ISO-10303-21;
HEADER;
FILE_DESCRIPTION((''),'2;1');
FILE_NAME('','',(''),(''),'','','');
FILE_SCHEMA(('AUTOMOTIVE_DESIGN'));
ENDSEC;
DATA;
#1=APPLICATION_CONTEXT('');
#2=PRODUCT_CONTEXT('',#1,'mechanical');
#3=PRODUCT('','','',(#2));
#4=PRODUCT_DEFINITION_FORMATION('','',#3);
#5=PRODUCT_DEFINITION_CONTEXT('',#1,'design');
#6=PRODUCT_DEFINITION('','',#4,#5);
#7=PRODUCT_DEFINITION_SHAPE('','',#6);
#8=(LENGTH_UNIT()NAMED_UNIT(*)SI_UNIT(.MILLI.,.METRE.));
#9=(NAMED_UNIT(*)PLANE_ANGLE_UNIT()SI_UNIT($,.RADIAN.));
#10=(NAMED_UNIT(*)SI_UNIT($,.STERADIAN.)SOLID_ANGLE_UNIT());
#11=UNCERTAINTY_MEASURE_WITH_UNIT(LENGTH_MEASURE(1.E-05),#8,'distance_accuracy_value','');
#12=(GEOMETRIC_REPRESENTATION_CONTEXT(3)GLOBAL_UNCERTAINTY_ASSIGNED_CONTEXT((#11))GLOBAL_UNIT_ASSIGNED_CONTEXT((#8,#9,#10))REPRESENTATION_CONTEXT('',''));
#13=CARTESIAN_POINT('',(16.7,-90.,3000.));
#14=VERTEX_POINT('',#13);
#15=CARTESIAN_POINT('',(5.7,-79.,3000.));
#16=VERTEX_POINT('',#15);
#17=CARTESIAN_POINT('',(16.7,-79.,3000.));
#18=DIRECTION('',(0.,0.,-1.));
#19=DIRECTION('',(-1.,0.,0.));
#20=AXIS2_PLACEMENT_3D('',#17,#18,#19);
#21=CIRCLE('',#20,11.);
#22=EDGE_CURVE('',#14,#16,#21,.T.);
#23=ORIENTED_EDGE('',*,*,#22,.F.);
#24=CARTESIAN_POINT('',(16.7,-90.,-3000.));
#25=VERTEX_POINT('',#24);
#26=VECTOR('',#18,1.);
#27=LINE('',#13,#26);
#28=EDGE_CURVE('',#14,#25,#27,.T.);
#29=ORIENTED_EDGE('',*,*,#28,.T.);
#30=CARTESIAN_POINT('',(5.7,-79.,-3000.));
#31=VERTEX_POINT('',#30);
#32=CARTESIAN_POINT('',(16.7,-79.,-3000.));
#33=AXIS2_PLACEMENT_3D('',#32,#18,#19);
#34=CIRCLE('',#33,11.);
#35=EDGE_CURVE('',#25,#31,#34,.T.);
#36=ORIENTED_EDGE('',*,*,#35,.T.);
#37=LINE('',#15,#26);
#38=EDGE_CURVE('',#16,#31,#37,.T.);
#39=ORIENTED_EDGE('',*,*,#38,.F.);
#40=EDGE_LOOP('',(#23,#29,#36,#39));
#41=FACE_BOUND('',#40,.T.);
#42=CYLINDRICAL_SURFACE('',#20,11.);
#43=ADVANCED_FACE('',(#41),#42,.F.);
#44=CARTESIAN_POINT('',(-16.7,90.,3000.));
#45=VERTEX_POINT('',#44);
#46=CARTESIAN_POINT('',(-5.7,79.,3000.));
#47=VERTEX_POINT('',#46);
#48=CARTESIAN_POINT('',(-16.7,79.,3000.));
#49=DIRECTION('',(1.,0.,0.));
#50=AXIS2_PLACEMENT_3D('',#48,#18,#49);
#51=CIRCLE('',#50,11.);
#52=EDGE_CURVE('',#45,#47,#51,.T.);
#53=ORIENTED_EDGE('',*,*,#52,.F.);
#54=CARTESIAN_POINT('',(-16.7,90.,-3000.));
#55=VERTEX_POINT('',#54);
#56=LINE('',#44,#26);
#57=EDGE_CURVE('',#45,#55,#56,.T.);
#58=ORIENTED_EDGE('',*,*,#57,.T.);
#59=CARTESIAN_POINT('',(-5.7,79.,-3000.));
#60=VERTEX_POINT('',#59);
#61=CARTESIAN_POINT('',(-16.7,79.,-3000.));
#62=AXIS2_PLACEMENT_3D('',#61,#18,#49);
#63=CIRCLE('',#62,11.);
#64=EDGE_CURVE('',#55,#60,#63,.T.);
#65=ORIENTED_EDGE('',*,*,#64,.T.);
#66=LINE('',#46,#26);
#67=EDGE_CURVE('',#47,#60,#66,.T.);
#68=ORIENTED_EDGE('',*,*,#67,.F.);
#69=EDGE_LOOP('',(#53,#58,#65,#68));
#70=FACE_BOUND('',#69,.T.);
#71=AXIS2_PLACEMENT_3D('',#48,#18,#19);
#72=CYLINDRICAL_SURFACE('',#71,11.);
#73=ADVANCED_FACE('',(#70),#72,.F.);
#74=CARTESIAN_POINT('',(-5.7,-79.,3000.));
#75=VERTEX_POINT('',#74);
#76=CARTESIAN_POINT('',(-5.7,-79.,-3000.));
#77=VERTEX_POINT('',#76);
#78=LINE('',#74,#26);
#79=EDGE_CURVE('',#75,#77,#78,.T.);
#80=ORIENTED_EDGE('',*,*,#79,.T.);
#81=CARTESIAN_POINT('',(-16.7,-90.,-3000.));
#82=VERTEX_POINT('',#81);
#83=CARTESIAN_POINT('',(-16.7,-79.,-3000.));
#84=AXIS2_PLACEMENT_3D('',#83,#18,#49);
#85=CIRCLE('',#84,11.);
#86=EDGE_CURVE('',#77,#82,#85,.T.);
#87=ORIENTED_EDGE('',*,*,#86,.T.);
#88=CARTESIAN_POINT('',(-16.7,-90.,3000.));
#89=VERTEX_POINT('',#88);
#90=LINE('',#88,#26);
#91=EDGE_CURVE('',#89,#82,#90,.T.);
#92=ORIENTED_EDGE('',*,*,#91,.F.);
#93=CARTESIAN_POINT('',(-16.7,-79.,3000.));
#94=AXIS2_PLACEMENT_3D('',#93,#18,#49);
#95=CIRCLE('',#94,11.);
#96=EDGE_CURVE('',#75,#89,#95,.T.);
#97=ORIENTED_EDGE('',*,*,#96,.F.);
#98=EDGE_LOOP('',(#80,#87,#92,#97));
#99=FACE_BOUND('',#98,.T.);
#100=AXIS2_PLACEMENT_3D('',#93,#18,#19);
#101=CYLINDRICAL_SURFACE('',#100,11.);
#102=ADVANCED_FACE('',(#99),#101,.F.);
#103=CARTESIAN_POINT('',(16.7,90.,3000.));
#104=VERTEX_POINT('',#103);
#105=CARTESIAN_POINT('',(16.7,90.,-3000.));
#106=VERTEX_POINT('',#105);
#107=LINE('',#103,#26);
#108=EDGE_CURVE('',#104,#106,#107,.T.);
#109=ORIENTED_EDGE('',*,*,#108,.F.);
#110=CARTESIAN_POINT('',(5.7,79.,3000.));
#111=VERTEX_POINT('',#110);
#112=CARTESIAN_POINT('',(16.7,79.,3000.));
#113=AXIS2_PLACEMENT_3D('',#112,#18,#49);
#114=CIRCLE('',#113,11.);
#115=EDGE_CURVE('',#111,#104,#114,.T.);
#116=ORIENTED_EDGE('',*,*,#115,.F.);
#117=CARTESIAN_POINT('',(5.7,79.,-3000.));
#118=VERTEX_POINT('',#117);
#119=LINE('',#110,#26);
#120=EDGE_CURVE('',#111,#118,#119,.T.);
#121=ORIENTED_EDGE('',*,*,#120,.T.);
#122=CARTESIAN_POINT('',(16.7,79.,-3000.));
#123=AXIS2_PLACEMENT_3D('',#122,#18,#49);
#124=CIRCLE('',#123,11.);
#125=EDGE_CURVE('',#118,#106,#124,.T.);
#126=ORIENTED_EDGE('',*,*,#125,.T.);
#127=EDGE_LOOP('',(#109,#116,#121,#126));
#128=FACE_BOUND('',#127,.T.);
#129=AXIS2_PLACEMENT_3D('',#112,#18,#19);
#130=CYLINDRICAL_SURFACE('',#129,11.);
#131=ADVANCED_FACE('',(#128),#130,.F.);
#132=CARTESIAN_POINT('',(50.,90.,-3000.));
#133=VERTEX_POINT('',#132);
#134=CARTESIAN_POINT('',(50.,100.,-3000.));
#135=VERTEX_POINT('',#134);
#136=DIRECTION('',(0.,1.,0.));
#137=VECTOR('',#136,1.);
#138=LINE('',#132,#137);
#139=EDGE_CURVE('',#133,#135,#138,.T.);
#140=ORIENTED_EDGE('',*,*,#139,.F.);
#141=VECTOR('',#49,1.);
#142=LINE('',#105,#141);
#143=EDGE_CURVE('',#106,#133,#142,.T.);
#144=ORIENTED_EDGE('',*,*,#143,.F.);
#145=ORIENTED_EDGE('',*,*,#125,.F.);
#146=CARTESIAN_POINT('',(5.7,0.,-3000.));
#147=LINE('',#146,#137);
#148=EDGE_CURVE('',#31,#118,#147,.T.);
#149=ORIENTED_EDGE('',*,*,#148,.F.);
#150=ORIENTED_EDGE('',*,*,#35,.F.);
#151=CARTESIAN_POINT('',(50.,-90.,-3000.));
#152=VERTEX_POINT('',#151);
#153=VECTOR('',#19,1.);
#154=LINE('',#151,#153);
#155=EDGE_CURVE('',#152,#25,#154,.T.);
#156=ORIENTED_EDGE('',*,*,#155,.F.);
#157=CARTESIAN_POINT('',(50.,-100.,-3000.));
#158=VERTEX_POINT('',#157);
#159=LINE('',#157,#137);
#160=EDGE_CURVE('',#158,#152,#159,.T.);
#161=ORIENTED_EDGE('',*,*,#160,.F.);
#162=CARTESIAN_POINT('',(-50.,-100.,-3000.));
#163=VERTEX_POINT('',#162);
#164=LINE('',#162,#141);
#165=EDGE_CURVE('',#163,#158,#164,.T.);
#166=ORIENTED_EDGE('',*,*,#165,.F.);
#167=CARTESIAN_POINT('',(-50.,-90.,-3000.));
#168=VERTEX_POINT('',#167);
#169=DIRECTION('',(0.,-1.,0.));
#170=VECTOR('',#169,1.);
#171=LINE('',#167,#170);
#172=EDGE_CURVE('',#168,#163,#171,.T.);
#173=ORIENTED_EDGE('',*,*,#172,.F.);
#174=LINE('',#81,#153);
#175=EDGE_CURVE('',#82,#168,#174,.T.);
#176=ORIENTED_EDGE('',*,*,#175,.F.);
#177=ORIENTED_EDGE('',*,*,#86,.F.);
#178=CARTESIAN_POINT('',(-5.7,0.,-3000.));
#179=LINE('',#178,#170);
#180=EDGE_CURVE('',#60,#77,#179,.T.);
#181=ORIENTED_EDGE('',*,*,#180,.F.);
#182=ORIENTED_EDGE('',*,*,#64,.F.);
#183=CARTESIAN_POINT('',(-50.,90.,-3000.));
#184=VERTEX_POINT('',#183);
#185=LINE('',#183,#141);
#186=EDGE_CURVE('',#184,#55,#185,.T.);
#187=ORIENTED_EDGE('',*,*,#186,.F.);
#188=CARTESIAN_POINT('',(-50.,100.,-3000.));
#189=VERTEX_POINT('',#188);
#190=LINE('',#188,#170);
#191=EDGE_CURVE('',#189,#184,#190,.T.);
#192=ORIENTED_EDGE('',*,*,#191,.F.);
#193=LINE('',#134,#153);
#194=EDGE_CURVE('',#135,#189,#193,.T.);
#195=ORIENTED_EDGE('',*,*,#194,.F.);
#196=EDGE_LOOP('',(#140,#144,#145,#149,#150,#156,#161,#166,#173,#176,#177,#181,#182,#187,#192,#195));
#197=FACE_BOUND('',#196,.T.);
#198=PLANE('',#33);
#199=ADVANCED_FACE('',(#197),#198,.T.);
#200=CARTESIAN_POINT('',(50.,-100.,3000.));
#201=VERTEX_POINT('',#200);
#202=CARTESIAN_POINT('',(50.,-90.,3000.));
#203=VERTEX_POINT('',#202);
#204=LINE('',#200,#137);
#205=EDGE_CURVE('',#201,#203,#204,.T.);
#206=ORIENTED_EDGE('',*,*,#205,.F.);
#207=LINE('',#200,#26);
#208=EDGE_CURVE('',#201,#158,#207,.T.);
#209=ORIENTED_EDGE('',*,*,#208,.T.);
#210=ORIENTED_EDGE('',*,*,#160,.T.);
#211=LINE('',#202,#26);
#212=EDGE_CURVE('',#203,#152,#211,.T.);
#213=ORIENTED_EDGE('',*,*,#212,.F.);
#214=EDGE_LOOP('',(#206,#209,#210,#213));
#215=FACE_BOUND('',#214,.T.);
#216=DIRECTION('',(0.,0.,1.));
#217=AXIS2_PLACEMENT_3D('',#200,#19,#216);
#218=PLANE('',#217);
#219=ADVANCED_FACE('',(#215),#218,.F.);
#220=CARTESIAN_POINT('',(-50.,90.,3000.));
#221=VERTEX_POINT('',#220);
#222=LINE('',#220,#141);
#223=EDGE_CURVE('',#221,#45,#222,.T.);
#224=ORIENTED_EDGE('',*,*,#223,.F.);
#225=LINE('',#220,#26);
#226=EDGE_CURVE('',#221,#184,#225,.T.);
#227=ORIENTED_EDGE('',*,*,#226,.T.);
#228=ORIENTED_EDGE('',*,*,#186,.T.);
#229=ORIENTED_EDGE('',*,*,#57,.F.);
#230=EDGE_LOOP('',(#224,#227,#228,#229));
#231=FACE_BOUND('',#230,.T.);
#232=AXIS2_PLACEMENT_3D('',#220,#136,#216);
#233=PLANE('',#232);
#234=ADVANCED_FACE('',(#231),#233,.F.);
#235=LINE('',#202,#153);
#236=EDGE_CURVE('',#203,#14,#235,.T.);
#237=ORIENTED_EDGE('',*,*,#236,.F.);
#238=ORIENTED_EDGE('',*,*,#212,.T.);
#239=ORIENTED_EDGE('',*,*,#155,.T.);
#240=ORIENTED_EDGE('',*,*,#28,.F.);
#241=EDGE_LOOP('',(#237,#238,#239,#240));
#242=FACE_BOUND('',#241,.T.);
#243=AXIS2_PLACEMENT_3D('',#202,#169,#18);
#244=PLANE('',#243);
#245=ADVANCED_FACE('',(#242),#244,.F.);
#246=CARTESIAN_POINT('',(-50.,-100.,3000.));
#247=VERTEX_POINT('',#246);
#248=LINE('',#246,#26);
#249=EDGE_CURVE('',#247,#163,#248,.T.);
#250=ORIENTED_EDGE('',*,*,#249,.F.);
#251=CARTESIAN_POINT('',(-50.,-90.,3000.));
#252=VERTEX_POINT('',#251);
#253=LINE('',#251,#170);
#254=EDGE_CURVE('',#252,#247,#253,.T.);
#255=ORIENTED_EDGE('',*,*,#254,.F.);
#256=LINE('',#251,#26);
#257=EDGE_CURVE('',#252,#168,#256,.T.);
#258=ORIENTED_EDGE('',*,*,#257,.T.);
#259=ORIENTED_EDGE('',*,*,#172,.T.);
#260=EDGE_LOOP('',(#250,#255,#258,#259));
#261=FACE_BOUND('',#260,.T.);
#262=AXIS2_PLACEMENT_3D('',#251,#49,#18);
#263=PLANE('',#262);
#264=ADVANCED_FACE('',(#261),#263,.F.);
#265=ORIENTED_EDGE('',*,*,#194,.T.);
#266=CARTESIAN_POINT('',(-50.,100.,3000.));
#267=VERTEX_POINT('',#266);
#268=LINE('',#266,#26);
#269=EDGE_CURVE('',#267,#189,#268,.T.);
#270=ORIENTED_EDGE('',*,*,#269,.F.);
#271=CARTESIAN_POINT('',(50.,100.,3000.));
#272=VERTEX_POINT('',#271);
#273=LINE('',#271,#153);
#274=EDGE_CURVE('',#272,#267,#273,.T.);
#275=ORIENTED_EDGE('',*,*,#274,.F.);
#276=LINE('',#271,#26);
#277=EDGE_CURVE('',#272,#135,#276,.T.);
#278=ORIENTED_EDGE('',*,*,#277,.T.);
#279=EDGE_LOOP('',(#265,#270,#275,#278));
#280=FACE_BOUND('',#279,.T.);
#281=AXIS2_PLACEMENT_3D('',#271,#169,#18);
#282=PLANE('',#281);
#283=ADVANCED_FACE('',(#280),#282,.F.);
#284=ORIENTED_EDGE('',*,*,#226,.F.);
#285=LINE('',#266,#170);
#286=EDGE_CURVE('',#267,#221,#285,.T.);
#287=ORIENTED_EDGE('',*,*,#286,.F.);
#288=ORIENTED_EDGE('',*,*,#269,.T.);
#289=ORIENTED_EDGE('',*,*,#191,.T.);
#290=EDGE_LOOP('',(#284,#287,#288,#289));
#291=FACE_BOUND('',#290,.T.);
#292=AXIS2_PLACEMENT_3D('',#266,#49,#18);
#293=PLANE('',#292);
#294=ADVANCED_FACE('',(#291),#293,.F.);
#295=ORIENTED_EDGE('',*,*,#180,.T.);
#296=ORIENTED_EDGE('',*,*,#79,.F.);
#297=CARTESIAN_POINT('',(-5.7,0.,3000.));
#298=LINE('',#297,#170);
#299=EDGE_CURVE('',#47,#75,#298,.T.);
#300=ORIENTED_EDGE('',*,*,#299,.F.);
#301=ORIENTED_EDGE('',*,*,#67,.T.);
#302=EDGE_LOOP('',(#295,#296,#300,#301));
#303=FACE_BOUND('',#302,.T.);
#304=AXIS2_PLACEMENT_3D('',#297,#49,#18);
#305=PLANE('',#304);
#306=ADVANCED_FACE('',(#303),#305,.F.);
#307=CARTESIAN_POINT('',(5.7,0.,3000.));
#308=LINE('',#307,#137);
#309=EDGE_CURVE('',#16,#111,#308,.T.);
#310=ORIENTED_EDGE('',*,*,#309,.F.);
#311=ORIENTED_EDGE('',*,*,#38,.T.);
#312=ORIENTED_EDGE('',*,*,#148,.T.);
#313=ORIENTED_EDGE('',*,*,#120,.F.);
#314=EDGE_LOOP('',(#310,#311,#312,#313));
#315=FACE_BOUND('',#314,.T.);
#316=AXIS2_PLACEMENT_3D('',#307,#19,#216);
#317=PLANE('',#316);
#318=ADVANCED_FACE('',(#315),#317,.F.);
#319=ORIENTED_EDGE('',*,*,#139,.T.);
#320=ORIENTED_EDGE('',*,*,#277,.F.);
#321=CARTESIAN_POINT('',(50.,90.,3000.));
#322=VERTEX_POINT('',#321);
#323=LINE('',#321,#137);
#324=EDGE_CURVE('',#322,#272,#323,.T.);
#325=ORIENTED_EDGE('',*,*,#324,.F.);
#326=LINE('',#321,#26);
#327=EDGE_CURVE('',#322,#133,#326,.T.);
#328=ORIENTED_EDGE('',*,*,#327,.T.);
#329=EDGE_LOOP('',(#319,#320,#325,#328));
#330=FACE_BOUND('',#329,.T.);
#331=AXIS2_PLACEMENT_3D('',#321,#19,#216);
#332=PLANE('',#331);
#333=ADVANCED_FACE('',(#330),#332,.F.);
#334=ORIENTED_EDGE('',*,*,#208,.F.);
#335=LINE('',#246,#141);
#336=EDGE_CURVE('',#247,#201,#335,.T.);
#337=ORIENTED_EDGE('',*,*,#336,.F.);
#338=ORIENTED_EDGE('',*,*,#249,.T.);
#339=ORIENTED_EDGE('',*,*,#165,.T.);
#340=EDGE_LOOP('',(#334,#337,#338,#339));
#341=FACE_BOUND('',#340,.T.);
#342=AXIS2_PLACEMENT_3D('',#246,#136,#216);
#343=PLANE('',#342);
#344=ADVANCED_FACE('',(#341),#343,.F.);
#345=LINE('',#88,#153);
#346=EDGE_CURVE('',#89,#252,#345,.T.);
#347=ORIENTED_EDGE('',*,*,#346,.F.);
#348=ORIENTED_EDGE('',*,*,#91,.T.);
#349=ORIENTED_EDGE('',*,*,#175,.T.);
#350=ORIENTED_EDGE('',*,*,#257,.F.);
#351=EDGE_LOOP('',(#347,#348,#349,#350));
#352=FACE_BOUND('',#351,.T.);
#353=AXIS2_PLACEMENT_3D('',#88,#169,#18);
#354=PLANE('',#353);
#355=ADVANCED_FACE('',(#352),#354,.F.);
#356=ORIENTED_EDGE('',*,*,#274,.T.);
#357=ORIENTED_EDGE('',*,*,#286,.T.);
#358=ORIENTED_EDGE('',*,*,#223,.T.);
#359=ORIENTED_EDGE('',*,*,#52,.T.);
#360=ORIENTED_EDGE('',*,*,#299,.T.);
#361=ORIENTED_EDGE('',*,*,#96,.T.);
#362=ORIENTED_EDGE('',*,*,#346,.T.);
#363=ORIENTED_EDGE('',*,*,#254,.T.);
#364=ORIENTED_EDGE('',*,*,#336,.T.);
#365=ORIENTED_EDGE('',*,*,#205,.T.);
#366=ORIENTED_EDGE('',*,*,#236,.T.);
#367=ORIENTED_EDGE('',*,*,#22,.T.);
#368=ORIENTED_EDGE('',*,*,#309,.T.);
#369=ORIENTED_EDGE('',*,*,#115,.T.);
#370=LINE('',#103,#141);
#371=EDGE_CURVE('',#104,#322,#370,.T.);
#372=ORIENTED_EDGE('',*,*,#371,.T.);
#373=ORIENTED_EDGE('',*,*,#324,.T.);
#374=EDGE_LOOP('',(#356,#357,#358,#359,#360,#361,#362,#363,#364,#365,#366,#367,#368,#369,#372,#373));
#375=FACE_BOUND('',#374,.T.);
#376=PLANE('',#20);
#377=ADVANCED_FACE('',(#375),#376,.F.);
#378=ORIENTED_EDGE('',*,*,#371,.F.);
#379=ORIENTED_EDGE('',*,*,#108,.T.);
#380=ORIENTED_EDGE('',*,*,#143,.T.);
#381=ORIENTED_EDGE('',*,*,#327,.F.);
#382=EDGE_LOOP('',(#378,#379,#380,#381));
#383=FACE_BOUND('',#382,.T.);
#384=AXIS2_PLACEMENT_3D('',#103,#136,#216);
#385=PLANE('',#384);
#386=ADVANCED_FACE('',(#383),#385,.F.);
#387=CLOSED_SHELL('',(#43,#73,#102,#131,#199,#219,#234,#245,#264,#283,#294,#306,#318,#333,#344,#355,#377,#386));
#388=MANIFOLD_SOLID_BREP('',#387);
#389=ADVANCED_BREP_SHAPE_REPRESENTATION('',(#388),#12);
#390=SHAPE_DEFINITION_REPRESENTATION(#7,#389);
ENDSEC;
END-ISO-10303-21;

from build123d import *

# Parameters (mm, degrees)
BOSS_EXTRUDE1_DEPTH = 3000


with BuildPart() as part:
    # Sketch1 → Boss-Extrude1 (new, symmetric)
    with BuildSketch(Plane.XY):
        with BuildLine():
            Line((5.7, 0), (5.7, 79))
            ThreePointArc((5.7, 79), (8.921825407, 86.778174593), (16.7, 90))
            Line((16.7, 90), (50, 90))
            Line((50, 90), (50, 100))
            Line((50, 100), (-50, 100))
            Line((-50, 100), (-50, 90))
            Line((-50, 90), (-16.7, 90))
            ThreePointArc((-16.7, 90), (-8.921825407, 86.778174593), (-5.7, 79))
            Line((-5.7, 79), (-5.7, 0))
            Line((-5.7, 0), (-5.7, -79))
            ThreePointArc((-5.7, -79), (-8.921825407, -86.778174593), (-16.7, -90))
            Line((-16.7, -90), (-50, -90))
            Line((-50, -90), (-50, -100))
            Line((-50, -100), (50, -100))
            Line((50, -100), (50, -90))
            Line((50, -90), (16.7, -90))
            ThreePointArc((16.7, -90), (8.921825407, -86.778174593), (5.7, -79))
            Line((5.7, -79), (5.7, 0))
        make_face()
    extrude(amount=BOSS_EXTRUDE1_DEPTH, both=True)


solid = part.part
